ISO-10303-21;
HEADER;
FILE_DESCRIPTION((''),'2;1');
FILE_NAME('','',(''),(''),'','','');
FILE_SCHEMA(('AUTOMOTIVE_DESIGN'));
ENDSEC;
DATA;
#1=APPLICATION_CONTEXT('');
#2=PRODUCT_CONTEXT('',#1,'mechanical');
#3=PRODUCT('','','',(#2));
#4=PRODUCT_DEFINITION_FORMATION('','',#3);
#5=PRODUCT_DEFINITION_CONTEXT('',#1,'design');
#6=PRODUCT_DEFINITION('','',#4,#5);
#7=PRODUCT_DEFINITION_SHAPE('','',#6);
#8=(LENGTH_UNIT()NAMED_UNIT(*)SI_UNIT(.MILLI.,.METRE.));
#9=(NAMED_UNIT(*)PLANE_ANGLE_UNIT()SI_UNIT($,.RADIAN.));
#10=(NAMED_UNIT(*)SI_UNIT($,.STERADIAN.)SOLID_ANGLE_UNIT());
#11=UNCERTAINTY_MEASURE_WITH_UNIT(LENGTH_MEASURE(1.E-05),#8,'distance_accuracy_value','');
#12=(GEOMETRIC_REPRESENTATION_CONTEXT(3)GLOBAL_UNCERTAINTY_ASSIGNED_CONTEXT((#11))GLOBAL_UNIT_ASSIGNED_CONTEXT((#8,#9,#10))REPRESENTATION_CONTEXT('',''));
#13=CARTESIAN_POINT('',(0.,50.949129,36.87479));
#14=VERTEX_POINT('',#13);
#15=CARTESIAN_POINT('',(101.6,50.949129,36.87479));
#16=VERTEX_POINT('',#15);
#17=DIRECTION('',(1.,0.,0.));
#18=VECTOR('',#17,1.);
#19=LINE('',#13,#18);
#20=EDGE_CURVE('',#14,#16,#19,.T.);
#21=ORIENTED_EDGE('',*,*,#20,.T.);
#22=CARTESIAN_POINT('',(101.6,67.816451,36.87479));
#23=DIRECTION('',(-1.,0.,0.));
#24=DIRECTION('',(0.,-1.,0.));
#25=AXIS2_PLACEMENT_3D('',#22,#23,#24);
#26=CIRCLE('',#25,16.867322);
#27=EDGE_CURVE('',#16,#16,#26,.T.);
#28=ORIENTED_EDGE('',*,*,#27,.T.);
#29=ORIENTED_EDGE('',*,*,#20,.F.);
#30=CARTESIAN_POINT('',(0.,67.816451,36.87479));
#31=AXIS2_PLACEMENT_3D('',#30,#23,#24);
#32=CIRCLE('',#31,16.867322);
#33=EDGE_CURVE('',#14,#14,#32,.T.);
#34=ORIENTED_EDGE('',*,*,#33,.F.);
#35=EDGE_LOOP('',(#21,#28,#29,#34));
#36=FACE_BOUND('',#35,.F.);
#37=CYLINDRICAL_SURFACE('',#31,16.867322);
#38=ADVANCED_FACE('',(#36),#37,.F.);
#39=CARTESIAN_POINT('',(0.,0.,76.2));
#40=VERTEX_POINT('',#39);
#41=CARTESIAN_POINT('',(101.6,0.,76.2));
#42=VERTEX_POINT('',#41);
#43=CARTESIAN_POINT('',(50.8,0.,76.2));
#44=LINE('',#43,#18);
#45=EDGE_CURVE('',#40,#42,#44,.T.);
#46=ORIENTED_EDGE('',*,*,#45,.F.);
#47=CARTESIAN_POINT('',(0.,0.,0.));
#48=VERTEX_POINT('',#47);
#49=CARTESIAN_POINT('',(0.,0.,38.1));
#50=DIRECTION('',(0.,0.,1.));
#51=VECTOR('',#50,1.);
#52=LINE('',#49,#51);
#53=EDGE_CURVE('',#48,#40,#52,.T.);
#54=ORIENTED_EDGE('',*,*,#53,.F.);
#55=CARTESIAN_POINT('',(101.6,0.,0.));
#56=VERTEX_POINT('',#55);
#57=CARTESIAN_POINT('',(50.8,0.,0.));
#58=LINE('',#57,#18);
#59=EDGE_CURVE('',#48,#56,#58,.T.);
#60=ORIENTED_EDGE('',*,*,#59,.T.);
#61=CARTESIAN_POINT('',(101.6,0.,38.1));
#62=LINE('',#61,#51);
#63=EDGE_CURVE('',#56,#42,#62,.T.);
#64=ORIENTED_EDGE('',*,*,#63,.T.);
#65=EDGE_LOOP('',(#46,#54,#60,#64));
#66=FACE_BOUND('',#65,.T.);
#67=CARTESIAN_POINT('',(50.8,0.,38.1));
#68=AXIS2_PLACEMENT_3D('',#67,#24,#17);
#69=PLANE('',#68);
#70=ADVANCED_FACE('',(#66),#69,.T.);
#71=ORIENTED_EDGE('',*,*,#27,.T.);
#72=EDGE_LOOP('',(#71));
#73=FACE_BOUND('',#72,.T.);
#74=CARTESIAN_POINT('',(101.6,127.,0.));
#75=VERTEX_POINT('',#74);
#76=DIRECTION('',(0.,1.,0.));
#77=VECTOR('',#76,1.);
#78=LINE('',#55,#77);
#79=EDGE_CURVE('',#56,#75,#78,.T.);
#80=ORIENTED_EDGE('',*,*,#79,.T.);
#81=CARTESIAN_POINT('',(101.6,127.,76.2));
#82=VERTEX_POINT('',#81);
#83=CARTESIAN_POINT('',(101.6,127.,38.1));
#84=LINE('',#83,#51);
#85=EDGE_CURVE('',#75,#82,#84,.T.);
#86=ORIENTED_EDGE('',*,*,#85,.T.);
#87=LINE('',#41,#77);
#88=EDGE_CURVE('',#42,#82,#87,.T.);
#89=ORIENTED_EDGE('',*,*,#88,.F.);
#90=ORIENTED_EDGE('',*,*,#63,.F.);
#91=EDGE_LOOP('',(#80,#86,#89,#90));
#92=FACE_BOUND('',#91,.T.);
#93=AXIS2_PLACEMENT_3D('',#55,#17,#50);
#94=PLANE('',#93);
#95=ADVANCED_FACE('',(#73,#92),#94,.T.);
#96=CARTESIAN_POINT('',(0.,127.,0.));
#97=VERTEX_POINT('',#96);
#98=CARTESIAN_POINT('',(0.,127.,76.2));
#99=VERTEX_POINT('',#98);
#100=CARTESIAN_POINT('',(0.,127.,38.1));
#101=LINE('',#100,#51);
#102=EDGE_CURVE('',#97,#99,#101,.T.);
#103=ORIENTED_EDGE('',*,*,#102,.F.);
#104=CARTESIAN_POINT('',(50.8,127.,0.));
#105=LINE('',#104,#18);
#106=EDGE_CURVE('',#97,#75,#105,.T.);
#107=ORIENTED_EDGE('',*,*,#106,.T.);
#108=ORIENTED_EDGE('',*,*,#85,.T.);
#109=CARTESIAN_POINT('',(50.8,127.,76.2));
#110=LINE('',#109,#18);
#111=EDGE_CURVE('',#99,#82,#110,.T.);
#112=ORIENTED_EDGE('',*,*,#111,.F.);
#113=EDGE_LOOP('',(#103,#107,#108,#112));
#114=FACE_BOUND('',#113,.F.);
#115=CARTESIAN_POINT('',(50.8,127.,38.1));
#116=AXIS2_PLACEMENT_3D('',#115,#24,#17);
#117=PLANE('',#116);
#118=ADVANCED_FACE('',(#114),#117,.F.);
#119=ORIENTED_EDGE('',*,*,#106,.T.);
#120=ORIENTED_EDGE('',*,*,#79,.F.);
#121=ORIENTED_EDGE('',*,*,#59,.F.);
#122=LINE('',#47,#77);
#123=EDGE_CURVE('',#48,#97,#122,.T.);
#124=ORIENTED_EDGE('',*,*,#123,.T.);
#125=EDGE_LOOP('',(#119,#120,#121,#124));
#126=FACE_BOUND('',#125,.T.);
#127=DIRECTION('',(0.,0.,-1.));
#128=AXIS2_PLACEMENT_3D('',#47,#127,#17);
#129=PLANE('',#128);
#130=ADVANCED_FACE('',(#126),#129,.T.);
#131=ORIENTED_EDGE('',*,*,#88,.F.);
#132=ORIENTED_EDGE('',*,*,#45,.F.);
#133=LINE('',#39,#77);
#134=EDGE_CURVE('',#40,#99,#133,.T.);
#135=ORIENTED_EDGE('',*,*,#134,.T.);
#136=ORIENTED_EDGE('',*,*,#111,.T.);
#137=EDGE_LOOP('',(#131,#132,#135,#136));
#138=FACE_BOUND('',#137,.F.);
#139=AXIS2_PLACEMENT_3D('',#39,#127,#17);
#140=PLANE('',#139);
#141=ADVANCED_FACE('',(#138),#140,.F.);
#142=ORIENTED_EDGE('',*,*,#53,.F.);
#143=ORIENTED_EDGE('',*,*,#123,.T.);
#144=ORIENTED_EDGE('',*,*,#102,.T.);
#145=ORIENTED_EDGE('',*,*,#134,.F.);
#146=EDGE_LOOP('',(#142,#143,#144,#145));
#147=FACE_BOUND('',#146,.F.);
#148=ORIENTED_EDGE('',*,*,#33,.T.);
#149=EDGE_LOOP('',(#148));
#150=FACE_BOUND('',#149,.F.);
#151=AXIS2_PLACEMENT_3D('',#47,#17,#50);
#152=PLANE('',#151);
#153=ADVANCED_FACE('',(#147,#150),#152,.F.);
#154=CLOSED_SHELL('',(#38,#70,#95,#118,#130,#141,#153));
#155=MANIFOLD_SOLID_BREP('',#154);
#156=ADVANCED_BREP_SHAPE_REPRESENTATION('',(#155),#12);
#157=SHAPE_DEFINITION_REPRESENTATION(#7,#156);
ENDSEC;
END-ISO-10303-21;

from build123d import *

# Parameters (mm, degrees)
F0_W     = 101.6
F0_H     = 76.2
F1_DEPTH = 127
F2_R     = 16.867322
F3_DEPTH = 101.6


with BuildPart() as f1:
    # F0 (on Front) → F1 (new body)
    with BuildSketch(Plane.XZ):
        with Locations((50.8, 38.1)):
            Rectangle(F0_W, F0_H)
    extrude(amount=-F1_DEPTH)

    # F2 (on face) → F3 (cut, through all)
    with BuildSketch(Plane(origin=(0, 0, 0), x_dir=(0, -1, 0), z_dir=(-1, 0, 0))):
        with Locations((-67.816451, 36.87479)):
            Circle(F2_R)
    extrude(amount=-F3_DEPTH, mode=Mode.SUBTRACT)


solid = f1.part
